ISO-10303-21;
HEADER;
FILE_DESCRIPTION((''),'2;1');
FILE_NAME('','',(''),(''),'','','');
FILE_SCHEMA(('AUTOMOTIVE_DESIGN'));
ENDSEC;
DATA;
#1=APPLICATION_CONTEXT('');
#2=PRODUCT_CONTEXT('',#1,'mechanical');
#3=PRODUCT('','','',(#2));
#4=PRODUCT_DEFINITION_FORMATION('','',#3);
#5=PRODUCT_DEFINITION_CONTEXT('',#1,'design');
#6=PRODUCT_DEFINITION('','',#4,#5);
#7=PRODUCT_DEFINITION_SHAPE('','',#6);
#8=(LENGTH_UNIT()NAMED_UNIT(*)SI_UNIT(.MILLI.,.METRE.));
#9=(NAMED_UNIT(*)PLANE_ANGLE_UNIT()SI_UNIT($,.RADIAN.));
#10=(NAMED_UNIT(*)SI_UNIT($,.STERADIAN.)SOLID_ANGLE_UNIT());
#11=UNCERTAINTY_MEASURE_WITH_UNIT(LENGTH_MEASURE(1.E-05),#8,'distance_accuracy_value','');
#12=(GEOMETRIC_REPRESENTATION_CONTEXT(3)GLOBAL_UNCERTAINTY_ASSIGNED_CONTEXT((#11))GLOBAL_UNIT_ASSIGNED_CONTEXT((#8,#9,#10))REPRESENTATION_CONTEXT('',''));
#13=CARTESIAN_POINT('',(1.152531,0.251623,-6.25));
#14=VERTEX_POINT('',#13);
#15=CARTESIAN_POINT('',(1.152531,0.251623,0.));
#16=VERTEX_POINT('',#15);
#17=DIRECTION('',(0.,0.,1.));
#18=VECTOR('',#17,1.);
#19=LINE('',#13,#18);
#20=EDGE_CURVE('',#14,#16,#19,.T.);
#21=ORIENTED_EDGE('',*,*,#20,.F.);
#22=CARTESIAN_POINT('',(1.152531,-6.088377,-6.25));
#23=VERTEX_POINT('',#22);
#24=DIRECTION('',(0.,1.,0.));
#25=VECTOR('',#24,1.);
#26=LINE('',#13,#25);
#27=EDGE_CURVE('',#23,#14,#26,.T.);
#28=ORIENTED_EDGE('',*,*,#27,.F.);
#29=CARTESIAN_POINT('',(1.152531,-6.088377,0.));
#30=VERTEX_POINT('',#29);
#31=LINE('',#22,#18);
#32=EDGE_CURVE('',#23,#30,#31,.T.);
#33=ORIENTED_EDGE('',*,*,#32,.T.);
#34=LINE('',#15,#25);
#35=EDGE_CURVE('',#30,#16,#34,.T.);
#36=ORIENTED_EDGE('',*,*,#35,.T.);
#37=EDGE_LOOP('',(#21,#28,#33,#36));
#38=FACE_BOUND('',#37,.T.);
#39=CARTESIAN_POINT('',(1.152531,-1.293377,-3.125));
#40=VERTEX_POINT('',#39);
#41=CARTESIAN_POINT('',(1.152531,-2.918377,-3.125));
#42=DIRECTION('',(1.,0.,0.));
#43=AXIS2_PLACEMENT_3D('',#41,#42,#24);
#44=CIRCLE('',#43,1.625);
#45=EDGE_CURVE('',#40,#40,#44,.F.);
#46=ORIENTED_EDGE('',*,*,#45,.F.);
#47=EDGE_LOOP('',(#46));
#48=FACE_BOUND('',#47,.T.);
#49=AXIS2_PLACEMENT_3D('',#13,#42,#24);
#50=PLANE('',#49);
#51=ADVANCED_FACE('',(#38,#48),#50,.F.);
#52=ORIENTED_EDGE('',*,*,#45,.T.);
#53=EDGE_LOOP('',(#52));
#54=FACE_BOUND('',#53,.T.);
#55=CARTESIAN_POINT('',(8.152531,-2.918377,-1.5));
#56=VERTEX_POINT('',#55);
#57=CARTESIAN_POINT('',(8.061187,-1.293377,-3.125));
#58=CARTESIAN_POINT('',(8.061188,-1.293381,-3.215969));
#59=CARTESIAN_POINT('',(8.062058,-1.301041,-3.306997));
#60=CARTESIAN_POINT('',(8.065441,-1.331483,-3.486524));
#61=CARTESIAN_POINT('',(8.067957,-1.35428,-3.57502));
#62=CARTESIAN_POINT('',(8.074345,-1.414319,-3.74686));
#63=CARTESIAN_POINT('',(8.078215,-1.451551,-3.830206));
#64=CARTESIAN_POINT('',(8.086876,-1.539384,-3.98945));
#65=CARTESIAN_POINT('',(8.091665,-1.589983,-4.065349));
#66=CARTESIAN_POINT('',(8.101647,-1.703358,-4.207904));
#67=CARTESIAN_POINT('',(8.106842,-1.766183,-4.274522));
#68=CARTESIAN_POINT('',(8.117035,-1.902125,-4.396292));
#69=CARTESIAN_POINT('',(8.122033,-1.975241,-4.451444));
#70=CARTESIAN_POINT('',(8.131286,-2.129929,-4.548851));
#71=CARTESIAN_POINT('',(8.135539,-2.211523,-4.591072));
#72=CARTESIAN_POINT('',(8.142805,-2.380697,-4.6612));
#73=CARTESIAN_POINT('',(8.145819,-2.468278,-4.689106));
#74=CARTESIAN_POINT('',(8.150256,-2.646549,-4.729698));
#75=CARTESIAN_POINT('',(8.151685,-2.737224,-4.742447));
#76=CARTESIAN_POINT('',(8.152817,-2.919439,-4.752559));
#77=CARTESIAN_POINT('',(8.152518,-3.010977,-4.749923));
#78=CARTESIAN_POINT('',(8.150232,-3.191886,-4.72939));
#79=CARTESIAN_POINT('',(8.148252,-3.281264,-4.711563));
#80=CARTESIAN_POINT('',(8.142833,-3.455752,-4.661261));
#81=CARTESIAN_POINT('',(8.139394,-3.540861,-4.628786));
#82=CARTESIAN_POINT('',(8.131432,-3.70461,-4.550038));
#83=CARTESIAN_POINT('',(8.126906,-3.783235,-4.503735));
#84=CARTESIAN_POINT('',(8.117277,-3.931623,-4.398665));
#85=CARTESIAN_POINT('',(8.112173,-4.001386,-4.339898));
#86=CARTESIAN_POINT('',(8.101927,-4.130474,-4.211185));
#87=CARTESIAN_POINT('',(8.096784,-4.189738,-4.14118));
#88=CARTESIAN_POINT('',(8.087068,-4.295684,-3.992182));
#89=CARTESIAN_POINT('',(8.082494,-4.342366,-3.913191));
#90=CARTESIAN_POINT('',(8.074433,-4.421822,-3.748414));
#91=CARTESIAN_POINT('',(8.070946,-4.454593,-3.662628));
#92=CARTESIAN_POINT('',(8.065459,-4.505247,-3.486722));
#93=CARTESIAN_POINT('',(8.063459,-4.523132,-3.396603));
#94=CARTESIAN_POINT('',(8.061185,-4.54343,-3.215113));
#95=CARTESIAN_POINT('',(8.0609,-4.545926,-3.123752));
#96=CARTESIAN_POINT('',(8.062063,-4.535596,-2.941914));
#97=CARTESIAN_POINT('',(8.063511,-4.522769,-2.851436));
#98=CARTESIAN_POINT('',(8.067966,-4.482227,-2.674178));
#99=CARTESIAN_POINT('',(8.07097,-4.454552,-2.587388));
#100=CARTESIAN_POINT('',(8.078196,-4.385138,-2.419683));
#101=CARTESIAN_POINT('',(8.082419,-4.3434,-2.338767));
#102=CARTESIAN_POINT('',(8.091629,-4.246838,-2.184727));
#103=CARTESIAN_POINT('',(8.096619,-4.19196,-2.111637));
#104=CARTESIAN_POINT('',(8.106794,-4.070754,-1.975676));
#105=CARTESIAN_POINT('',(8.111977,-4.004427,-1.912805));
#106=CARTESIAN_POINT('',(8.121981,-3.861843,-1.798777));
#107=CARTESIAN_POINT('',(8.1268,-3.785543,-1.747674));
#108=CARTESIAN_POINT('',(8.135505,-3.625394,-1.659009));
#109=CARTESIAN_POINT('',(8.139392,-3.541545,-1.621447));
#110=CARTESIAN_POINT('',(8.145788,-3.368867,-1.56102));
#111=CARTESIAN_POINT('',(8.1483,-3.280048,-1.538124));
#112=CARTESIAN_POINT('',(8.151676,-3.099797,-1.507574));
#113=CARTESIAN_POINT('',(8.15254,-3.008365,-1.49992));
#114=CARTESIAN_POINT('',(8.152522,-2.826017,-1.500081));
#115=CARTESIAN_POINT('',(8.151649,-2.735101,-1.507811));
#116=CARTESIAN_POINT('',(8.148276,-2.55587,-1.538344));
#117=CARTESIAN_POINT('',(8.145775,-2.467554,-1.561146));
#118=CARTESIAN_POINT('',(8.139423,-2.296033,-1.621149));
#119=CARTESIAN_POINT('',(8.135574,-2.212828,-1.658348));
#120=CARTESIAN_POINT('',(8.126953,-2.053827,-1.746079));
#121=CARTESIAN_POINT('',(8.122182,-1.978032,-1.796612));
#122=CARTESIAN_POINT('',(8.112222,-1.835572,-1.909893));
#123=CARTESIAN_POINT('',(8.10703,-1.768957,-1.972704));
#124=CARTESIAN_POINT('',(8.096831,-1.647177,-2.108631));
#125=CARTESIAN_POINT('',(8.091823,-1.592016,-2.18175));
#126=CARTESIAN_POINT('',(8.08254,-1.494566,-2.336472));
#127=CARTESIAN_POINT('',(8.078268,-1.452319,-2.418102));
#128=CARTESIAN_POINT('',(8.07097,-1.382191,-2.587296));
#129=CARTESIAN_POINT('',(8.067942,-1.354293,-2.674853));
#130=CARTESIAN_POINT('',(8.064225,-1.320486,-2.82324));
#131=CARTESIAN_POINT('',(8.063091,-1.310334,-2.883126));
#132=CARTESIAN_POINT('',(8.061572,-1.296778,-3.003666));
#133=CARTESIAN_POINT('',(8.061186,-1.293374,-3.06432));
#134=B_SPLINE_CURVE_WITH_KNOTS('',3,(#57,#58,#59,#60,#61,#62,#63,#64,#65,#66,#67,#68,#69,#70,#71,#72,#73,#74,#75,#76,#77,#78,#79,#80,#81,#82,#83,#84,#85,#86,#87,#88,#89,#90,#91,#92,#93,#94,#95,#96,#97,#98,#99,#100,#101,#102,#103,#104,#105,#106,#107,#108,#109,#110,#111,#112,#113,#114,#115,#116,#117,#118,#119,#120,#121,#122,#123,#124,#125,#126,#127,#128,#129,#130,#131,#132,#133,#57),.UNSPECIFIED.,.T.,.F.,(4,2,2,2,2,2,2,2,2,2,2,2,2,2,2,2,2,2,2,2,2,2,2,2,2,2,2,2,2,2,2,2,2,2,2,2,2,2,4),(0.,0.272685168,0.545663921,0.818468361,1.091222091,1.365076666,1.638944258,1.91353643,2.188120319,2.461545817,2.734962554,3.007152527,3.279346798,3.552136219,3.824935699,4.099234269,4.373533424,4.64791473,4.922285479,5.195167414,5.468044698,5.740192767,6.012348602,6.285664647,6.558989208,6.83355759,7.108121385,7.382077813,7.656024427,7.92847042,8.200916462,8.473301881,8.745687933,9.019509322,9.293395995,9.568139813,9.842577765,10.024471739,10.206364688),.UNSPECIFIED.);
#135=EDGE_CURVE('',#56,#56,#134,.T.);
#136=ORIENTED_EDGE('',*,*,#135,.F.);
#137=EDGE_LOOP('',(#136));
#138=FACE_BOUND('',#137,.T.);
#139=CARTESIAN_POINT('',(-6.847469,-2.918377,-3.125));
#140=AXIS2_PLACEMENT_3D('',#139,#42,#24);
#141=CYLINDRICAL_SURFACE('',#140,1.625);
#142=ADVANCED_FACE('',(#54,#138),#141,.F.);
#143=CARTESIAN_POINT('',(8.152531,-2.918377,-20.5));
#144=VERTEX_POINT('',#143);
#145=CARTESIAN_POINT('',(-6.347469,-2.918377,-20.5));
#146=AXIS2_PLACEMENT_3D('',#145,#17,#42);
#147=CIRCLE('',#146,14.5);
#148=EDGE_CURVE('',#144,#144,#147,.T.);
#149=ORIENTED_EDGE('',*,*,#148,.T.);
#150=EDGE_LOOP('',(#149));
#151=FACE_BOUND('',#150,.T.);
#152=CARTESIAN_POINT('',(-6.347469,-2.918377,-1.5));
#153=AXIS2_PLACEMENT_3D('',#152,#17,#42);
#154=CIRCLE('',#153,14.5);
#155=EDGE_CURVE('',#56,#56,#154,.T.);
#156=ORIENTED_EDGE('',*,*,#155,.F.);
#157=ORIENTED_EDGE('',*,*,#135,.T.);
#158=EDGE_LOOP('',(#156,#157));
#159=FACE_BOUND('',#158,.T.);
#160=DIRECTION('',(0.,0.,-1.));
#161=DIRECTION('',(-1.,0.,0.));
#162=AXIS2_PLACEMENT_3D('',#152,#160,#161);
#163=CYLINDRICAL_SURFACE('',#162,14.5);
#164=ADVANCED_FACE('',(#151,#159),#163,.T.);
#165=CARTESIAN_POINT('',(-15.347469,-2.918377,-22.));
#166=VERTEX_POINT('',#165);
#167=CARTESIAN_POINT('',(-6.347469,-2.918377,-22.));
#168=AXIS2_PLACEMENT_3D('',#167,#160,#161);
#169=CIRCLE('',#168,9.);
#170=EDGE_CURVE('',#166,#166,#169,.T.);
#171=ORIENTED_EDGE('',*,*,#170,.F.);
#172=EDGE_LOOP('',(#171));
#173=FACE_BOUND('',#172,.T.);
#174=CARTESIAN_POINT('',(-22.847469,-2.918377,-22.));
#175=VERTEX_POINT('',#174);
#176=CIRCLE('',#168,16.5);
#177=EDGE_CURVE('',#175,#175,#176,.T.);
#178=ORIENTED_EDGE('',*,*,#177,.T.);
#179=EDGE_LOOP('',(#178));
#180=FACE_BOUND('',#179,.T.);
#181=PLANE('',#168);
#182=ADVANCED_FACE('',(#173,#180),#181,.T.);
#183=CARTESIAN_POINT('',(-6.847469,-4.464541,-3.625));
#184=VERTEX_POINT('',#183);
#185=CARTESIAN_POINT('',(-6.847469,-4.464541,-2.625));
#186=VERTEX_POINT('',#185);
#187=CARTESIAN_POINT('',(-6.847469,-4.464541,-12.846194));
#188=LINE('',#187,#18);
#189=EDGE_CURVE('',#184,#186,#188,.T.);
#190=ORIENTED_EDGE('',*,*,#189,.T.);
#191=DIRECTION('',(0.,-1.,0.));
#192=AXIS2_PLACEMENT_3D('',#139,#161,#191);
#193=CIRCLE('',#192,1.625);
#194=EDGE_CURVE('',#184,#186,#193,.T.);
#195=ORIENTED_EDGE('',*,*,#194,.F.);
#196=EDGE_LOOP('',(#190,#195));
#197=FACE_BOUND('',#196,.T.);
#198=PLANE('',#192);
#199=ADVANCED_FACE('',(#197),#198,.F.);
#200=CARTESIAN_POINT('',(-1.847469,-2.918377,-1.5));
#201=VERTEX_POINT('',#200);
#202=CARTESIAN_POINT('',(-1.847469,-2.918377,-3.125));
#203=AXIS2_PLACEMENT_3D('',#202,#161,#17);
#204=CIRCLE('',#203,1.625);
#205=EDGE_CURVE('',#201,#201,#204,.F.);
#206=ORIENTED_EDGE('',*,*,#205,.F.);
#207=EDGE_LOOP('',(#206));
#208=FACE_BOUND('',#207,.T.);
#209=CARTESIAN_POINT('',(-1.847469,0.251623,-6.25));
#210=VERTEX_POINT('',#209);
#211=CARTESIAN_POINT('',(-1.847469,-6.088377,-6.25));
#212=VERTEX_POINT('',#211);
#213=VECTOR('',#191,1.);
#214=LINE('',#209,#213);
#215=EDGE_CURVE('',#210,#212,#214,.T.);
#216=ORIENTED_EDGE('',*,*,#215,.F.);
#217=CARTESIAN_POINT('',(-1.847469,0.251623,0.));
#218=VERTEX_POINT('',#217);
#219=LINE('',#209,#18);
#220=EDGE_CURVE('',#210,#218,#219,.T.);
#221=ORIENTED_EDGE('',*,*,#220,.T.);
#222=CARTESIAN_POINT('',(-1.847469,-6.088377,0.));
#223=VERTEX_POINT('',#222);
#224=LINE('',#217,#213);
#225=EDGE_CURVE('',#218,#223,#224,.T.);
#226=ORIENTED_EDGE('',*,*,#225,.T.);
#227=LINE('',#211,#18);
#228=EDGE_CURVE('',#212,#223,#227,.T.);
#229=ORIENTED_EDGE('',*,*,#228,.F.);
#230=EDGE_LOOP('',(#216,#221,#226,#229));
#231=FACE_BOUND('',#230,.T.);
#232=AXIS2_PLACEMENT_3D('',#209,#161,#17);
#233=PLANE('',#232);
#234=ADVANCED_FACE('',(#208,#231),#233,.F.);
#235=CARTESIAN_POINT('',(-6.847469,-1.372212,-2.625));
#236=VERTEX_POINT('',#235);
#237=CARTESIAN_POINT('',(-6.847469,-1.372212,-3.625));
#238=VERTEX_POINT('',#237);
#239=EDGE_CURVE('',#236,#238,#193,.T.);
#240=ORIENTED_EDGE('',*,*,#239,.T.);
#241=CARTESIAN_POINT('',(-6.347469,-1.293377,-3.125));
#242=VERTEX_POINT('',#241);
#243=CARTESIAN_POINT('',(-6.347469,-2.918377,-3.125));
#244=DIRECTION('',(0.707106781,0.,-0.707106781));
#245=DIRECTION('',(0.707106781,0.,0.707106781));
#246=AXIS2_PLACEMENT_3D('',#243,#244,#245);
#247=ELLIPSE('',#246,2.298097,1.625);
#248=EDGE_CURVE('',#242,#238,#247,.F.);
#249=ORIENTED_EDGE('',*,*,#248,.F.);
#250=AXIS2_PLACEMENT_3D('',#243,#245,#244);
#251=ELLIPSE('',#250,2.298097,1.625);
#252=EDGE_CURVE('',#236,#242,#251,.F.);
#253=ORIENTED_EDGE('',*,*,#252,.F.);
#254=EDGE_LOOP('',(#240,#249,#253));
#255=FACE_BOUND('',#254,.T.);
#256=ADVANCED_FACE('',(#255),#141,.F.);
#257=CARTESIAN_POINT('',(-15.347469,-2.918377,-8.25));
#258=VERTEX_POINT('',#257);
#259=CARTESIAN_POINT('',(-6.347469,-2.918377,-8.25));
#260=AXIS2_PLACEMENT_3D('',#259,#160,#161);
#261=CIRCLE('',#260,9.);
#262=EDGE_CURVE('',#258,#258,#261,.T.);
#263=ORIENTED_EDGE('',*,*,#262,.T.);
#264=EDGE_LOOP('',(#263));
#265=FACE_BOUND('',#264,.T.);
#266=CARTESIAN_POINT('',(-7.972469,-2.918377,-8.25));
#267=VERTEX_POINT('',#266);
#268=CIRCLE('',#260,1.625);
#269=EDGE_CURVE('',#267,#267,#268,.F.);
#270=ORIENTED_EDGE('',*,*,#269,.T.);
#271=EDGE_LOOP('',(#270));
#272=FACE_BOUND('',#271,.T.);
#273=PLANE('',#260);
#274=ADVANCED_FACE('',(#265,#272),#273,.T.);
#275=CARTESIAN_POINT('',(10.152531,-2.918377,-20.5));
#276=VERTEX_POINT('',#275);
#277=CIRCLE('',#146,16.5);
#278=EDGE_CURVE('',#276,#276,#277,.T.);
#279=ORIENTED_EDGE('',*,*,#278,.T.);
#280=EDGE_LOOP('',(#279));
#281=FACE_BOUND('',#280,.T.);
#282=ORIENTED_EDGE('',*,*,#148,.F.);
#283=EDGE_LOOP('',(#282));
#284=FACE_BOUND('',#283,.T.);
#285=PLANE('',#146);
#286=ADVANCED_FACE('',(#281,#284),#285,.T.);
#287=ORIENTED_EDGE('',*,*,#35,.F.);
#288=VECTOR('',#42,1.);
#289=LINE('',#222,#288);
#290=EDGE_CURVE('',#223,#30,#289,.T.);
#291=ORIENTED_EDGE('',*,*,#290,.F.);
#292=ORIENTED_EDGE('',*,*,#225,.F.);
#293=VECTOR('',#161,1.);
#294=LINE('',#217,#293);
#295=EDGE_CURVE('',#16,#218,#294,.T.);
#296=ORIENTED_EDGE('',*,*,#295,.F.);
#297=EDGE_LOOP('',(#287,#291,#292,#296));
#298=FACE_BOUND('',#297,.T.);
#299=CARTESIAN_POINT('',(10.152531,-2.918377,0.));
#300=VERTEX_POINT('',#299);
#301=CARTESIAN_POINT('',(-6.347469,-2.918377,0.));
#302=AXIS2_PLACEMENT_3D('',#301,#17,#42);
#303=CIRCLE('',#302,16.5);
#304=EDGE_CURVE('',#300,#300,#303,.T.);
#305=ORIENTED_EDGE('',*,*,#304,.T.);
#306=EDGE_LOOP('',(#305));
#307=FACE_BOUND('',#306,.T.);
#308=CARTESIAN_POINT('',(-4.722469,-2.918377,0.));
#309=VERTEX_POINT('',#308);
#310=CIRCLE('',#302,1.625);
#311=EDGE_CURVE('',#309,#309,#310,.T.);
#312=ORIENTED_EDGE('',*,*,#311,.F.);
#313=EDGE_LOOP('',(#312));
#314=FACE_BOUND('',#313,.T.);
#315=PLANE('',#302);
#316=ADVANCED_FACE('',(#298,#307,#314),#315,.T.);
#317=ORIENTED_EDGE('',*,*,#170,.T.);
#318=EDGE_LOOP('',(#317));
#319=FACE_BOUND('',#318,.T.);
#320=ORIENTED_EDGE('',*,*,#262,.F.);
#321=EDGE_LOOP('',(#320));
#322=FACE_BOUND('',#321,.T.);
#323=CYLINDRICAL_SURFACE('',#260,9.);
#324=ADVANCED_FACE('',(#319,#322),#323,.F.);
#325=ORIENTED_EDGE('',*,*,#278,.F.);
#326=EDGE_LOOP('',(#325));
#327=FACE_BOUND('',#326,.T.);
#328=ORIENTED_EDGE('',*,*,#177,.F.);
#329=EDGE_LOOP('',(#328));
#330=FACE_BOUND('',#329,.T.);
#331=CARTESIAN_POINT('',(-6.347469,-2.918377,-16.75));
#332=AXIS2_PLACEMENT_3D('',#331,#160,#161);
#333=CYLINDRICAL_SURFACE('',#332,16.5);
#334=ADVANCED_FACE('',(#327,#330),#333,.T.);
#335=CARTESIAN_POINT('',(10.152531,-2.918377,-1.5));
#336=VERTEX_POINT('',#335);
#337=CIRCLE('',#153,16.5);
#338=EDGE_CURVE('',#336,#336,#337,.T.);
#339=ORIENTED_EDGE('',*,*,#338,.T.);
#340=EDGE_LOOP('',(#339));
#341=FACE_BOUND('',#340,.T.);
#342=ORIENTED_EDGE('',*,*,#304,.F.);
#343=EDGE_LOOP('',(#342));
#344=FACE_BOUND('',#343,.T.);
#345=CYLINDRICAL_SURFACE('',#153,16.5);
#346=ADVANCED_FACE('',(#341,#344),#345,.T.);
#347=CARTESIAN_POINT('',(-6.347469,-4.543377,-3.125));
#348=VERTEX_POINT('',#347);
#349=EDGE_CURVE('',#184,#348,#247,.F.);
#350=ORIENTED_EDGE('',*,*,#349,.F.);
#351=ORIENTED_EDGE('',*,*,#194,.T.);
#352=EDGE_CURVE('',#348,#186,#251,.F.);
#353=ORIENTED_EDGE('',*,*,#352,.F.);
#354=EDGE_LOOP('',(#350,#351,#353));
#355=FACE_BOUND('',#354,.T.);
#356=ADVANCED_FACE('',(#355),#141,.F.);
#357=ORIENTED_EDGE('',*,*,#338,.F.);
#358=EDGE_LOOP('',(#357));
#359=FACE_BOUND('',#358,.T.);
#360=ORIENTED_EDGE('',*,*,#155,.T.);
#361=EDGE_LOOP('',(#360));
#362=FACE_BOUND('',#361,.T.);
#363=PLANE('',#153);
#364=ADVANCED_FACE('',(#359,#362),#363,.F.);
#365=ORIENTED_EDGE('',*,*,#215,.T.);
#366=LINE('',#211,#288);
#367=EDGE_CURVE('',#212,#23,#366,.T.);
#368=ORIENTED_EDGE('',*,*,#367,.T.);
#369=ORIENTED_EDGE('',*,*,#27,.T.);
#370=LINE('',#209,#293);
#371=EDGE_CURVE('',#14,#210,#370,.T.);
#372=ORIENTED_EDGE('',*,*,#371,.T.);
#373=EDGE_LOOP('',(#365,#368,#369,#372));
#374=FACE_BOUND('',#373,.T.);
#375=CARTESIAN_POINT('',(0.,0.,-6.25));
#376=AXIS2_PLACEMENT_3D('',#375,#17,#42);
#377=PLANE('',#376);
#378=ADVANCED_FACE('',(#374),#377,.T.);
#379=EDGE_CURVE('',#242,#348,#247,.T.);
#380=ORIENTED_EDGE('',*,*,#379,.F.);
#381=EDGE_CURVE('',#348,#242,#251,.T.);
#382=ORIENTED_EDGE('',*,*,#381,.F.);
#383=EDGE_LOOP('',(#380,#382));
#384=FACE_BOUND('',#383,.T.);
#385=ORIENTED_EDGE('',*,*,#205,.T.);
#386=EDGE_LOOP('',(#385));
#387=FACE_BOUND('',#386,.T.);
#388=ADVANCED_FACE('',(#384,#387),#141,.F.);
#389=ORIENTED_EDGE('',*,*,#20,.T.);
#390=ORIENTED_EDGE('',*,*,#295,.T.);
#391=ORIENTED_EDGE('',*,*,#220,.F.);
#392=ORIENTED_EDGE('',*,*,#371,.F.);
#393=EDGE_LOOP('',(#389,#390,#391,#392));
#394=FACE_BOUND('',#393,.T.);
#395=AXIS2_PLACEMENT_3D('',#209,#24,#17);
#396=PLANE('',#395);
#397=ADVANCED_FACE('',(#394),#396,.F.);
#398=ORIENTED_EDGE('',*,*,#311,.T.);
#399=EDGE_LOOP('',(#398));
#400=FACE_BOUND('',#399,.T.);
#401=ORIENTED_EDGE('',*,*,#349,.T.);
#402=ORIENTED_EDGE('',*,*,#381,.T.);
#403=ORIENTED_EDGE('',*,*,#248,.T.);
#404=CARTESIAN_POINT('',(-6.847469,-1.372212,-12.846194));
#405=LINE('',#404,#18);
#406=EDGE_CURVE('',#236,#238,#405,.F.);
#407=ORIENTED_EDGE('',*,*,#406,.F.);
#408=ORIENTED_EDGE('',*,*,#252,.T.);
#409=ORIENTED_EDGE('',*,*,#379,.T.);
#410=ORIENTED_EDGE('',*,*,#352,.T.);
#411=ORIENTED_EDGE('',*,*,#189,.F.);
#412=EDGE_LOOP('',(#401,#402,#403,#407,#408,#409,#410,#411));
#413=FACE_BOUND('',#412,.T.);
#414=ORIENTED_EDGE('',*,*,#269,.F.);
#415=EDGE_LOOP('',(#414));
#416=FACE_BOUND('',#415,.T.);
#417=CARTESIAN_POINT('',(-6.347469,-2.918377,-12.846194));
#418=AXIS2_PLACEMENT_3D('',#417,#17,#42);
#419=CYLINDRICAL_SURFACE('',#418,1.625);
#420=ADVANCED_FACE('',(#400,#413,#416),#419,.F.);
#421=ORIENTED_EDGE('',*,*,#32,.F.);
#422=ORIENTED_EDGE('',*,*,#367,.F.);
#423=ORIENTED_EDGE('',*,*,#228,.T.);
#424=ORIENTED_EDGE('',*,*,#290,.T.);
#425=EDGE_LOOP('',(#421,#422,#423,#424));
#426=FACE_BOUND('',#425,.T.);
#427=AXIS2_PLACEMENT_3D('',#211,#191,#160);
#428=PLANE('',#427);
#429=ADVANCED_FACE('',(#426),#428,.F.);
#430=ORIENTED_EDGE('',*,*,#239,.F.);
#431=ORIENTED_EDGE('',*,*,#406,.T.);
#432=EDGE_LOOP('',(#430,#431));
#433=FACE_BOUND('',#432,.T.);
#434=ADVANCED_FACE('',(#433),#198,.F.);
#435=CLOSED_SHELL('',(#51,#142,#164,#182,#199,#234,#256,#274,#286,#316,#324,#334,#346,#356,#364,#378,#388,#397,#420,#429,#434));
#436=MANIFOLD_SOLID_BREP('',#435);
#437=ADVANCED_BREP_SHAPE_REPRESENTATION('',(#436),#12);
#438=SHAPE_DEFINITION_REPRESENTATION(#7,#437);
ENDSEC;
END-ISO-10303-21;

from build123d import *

# Parameters (mm, degrees)
CROQUIS1_R                 = 15.5
CROQUIS1_R_2               = 1.5
SALIENTE_EXTRUIR1_DEPTH    = 18.25
CROQUIS2_R                 = 9
CORTAR_EXTRUIR1_DEPTH      = 10
CROQUIS3_R                 = 16.5
CROQUIS3_R_2               = 15.5
SALIENTE_EXTRUIR2_DEPTH    = 1.5
SALIENTE_EXTRUIR3_START    = -1.5
CROQUIS4_R                 = 16.5
CROQUIS4_R_2               = 15.5
SALIENTE_EXTRUIR3_DEPTH    = 1.5
CROQUIS5_W                 = 3
CROQUIS5_H                 = 6.34
CORTAR_EXTRUIR2_DEPTH      = 6.25
CORTAR_EXTRUIR3_DEPTH      = 8
CORTAR_EXTRUIR3_DEPTH_BACK = 9.75
CROQUIS7_R                 = 1.625
CROQUIS8_R                 = 1.625
CORTAR_EXTRUIR4_DEPTH      = 8.25
CORTAR_EXTRUIR7_START      = 15.25
CROQUIS9_R                 = 15.5
CROQUIS9_R_2               = 14.5
CORTAR_EXTRUIR7_DEPTH      = 15.25
CROQUIS11_R                = 16.5
CROQUIS11_R_2              = 9
SALIENTE_EXTRUIR4_DEPTH    = 3.75
CROQUIS12_R                = 16.5
CROQUIS12_R_2              = 14.5
CORTAR_EXTRUIR8_DEPTH      = 3.75


with BuildPart() as part:
    # Croquis1 → Saliente-Extruir1 (new body)
    with BuildSketch(Plane.XY):
        with Locations((-6.34746922, -2.918376653)):
            Circle(CROQUIS1_R)
        with Locations((-6.34746922, -2.918376653)):
            Circle(CROQUIS1_R_2, mode=Mode.SUBTRACT)
    extrude(amount=-SALIENTE_EXTRUIR1_DEPTH)

    # Croquis2 → Cortar-Extruir1 (cut)
    with BuildSketch(Plane(origin=(0, 0, -18.25), x_dir=(-1, 0, 0), z_dir=(0, 0, -1))):
        with Locations((6.34746922, -2.918376653)):
            Circle(CROQUIS2_R)
    extrude(amount=-CORTAR_EXTRUIR1_DEPTH, mode=Mode.SUBTRACT)

    # Croquis3 → Saliente-Extruir2 (add)
    with BuildSketch(Plane.XY):
        with Locations((-6.34746922, -2.918376653)):
            Circle(CROQUIS3_R)
        with Locations((-6.34746922, -2.918376653)):
            Circle(CROQUIS3_R_2, mode=Mode.SUBTRACT)
    extrude(amount=-SALIENTE_EXTRUIR2_DEPTH)

    # Croquis4 → Saliente-Extruir3 (add)
    with BuildSketch(Plane(origin=(0, 0, -18.25), x_dir=(-1, 0, 0), z_dir=(0, 0, -1)).offset(SALIENTE_EXTRUIR3_START)):
        with Locations(Location((6.34746922, -2.918376653, 0), (0, 0, 180))):
            Circle(CROQUIS4_R)
        with Locations(Location((6.34746922, -2.918376653, 0), (0, 0, 180))):
            Circle(CROQUIS4_R_2, mode=Mode.SUBTRACT)
    extrude(amount=SALIENTE_EXTRUIR3_DEPTH)

    # Croquis5 → Cortar-Extruir2 (cut)
    with BuildSketch(Plane.XY):
        with Locations((-0.34746922, -2.918376653)):
            Rectangle(CROQUIS5_W, CROQUIS5_H)
    extrude(amount=-CORTAR_EXTRUIR2_DEPTH, mode=Mode.SUBTRACT)

    # Croquis7 → Cortar-Extruir3 (cut, two sides: drawn at the far end of the back side and taken through both)
    with BuildSketch(Plane.ZY.offset(-1.15253078).offset(-CORTAR_EXTRUIR3_DEPTH_BACK)):
        with Locations((-3.125, -2.918376653)):
            Circle(CROQUIS7_R)
    extrude(amount=CORTAR_EXTRUIR3_DEPTH + CORTAR_EXTRUIR3_DEPTH_BACK, mode=Mode.SUBTRACT)

    # Croquis8 → Cortar-Extruir4 (cut)
    with BuildSketch(Plane.XY):
        with Locations((-6.34746922, -2.918376653)):
            Circle(CROQUIS8_R)
    extrude(amount=-CORTAR_EXTRUIR4_DEPTH, mode=Mode.SUBTRACT)

    # Croquis9 → Cortar-Extruir7 (cut)
    with BuildSketch(Plane.XY.offset(-16.75).offset(CORTAR_EXTRUIR7_START)):
        with Locations((-6.34746922, -2.918376653)):
            Circle(CROQUIS9_R)
        with Locations((-6.34746922, -2.918376653)):
            Circle(CROQUIS9_R_2, mode=Mode.SUBTRACT)
    extrude(amount=-CORTAR_EXTRUIR7_DEPTH, mode=Mode.SUBTRACT)

    # Croquis11 → Saliente-Extruir4 (add)
    with BuildSketch(Plane(origin=(0, 0, -18.25), x_dir=(-1, 0, 0), z_dir=(0, 0, -1))):
        with Locations(Location((6.34746922, -2.918376653, 0), (0, 0, 180))):
            Circle(CROQUIS11_R)
        with Locations((6.34746922, -2.918376653)):
            Circle(CROQUIS11_R_2, mode=Mode.SUBTRACT)
    extrude(amount=SALIENTE_EXTRUIR4_DEPTH)

    # Croquis12 → Cortar-Extruir8 (cut)
    with BuildSketch(Plane.XY.offset(-16.75)):
        with Locations(Location((-6.34746922, -2.918376653, 0), (0, 0, 180))):
            Circle(CROQUIS12_R)
        with Locations((-6.34746922, -2.918376653)):
            Circle(CROQUIS12_R_2, mode=Mode.SUBTRACT)
    extrude(amount=-CORTAR_EXTRUIR8_DEPTH, mode=Mode.SUBTRACT)


solid = part.part
